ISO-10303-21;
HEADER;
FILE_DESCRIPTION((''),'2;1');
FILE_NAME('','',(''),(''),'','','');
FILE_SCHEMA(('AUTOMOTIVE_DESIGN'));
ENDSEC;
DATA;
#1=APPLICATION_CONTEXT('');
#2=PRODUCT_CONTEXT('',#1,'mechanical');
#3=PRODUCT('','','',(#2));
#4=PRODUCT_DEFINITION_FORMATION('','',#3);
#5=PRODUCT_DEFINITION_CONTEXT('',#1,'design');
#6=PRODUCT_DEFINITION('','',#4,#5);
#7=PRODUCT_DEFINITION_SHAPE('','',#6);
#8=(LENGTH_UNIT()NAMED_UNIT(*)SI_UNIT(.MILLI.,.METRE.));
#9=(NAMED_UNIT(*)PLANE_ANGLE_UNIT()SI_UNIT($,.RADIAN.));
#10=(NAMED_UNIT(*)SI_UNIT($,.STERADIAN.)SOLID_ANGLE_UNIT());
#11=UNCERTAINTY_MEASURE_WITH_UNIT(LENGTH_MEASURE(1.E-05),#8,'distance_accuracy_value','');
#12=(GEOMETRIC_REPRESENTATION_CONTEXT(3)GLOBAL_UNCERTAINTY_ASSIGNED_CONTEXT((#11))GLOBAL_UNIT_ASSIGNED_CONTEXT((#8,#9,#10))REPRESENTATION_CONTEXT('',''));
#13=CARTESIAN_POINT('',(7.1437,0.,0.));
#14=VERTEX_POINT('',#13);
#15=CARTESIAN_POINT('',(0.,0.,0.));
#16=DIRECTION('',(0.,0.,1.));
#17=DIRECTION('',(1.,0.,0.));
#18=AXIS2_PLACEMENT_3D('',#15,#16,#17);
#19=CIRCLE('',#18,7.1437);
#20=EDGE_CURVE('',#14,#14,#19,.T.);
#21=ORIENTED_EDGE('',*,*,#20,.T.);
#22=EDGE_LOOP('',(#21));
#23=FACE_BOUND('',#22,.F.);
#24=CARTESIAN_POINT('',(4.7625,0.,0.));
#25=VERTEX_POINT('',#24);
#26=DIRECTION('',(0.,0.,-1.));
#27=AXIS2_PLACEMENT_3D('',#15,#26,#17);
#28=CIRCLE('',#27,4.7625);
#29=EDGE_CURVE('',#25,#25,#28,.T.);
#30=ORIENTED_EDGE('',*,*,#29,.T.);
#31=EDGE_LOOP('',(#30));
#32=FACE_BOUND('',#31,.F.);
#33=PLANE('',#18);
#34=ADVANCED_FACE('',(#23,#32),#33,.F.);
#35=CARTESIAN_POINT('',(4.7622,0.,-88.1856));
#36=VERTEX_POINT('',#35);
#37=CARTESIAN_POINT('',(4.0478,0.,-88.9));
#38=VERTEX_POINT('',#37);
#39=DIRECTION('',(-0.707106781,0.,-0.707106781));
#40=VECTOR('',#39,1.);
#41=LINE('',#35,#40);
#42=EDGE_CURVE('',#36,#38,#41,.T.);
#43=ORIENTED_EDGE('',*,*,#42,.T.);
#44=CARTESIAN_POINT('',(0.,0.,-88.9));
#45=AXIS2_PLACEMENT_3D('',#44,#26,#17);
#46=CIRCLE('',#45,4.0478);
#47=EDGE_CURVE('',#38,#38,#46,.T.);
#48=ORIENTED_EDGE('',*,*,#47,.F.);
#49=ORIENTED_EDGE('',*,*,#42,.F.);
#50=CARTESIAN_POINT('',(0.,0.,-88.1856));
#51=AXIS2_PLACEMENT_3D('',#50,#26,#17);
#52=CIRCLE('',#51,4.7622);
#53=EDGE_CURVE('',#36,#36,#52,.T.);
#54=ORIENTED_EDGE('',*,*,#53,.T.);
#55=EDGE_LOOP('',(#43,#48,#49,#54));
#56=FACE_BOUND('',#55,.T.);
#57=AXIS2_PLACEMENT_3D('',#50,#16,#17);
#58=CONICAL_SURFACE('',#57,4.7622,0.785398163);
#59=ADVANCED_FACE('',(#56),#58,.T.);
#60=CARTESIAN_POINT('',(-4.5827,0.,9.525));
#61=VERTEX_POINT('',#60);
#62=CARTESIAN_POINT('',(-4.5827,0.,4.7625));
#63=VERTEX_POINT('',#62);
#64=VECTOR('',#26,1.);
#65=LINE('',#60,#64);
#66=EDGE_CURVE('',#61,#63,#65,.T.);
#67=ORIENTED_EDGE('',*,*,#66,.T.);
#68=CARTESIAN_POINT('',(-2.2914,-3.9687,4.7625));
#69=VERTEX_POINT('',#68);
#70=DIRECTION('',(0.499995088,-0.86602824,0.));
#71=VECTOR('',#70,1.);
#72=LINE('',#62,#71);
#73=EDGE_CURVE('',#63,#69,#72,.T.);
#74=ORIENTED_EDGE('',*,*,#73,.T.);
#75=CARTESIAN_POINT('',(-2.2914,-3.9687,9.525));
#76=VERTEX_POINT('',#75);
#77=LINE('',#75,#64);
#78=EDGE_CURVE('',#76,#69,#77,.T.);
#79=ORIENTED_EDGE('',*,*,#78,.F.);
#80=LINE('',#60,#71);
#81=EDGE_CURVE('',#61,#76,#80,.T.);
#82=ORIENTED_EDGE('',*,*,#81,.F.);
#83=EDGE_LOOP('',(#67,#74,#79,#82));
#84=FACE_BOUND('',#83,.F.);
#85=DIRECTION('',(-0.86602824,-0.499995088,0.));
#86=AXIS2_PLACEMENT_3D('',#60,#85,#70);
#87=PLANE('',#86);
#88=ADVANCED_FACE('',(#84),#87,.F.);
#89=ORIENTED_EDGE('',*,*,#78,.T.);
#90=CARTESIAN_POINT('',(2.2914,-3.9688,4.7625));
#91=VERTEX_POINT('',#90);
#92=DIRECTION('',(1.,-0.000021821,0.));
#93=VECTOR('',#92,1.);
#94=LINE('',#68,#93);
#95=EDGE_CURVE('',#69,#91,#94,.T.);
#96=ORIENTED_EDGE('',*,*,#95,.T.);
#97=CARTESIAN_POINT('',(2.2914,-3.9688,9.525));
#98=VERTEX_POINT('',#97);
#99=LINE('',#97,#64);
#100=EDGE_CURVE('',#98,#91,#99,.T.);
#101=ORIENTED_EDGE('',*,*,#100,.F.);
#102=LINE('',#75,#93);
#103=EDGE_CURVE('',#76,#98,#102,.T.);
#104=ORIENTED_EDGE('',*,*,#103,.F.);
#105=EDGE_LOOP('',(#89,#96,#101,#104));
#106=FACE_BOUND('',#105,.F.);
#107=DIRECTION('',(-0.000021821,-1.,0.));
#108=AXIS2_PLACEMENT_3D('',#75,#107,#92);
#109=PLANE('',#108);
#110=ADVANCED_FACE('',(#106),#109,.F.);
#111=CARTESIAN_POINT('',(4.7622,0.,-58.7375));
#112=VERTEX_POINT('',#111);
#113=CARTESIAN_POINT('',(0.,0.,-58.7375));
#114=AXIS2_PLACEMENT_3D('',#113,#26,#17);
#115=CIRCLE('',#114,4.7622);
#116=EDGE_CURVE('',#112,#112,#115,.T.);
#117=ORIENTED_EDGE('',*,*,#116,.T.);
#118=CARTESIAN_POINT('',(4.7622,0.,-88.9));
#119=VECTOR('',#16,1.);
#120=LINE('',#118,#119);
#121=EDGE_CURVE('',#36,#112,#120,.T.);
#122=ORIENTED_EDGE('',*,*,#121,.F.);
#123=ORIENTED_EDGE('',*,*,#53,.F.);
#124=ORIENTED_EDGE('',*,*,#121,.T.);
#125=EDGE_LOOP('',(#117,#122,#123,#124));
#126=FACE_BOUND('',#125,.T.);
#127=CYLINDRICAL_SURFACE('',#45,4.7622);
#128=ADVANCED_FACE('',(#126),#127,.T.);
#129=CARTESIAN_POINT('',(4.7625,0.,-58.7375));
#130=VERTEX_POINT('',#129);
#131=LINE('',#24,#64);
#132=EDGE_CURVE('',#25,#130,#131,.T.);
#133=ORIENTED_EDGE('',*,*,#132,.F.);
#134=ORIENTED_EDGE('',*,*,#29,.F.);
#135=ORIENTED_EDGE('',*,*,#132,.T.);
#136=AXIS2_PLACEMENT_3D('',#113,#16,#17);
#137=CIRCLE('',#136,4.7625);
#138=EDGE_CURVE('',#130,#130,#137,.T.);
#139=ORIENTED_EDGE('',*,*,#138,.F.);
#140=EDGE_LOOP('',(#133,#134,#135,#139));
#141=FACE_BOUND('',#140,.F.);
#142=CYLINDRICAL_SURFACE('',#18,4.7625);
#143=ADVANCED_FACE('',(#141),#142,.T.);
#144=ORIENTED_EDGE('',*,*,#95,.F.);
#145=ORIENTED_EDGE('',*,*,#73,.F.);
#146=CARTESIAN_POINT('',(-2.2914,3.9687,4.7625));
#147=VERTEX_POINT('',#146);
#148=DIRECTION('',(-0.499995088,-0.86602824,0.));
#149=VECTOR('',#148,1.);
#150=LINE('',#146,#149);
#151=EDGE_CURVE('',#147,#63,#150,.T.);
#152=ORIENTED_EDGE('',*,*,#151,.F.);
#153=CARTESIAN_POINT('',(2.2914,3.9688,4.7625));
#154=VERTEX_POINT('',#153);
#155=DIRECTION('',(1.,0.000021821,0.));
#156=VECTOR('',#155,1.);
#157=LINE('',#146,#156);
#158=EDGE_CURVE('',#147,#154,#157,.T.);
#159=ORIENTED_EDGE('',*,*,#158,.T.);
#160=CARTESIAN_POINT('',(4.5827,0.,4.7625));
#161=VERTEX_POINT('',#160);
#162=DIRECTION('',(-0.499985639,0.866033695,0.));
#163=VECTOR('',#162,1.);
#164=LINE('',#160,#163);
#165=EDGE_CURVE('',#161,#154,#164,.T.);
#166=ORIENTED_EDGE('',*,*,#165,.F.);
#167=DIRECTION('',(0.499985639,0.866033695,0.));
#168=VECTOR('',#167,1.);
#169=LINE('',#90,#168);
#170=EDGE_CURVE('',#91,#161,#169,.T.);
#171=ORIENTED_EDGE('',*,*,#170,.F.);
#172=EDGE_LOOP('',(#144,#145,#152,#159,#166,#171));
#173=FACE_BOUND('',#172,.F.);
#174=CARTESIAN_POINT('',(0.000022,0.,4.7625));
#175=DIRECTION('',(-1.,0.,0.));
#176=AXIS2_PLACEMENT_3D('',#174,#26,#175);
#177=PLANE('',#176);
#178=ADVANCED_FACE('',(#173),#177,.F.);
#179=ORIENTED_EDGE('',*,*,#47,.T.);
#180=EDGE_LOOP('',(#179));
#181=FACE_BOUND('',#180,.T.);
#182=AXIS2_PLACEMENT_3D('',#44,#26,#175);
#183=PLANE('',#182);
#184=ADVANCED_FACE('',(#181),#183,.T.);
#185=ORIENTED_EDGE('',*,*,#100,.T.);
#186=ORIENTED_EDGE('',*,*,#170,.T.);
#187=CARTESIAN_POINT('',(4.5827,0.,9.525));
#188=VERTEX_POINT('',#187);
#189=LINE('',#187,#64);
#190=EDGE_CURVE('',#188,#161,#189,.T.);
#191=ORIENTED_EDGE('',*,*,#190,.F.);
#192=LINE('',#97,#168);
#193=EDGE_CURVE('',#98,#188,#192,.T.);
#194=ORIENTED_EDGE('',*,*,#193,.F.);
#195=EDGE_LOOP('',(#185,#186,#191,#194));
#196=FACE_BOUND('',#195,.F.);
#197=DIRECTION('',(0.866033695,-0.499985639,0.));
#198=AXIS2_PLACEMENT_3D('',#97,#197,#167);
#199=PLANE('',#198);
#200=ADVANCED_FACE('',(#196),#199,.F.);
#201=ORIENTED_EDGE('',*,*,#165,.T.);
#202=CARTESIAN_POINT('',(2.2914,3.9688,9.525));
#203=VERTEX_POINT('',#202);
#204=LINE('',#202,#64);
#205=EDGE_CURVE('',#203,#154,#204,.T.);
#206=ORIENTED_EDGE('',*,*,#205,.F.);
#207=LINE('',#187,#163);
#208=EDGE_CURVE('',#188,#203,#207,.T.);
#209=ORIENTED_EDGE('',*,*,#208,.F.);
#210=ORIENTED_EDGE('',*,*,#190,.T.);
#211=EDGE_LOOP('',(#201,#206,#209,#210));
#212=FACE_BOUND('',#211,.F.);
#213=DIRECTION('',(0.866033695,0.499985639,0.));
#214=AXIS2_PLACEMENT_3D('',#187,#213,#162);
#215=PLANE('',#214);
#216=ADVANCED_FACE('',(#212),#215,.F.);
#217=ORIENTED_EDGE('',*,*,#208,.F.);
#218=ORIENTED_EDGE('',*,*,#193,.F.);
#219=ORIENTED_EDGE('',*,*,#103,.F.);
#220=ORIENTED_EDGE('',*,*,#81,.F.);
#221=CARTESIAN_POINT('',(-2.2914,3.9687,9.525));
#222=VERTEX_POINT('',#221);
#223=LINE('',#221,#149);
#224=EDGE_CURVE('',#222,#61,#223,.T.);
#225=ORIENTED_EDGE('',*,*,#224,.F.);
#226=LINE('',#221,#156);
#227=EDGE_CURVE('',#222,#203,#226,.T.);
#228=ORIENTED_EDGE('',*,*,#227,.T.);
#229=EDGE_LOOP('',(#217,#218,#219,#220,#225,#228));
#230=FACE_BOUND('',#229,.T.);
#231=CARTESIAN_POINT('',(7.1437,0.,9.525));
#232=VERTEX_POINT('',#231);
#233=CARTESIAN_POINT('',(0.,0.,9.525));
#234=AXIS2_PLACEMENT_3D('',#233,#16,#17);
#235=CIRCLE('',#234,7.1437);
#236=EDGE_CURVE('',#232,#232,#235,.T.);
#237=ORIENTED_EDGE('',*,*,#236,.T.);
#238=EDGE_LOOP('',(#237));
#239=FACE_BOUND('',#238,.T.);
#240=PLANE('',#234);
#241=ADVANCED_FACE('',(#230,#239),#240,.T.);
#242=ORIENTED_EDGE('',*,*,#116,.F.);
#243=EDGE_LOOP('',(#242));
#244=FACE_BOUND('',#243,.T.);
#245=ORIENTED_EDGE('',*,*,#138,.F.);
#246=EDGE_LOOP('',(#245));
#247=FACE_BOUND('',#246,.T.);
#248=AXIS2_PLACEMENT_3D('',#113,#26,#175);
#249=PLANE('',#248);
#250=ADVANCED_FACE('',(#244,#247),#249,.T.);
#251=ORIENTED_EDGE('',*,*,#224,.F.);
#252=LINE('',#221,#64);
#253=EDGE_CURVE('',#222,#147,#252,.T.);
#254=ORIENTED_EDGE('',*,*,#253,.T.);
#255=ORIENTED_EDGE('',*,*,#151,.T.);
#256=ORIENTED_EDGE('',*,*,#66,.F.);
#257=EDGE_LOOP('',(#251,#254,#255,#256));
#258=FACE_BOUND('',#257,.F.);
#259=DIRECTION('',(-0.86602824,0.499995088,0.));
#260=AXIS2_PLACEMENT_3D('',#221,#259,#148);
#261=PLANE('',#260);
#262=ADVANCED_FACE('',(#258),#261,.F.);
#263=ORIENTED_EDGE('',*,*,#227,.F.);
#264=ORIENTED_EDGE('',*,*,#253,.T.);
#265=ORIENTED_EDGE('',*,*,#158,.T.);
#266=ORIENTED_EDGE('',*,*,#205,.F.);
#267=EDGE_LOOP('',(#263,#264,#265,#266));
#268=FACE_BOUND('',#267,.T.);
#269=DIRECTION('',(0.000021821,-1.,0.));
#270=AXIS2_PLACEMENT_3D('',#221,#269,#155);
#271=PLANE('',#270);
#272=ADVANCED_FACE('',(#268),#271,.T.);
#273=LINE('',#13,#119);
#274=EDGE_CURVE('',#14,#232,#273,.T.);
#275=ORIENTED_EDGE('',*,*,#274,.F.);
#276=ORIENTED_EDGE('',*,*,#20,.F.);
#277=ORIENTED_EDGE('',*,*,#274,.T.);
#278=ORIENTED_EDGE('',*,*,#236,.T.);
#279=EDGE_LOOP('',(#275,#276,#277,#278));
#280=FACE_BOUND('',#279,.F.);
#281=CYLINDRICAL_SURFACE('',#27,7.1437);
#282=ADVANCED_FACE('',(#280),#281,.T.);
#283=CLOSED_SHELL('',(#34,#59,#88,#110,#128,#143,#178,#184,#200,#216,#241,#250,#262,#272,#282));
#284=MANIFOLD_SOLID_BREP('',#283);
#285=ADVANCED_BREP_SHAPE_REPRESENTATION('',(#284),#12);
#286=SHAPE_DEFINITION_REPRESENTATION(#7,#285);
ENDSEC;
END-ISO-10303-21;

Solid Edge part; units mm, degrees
sketch "Sketch1" plane through (0, 0, 0) normal (0, 0, 1) x (1, 0, 0)
  circle A0 centre (0, 0) radius 7.1437
  dimension "D1" = 14.2875
extrude "Protrusion1" add sketch "Sketch1" along normal blind 9.525
sketch "Sketch2" plane through (0, 0, 0) normal (0, 0, -1) x (1, 0, 0)
  circle A0 centre (0, 0) radius 4.7625
extrude "Protrusion2" add sketch "Sketch2" along normal blind 88.9
sketch "Sketch3" plane through (0, 0, -88.9) normal (0, 0, -1) x (1, 0, 0)
  circle A0 centre (0, 0) radius 4.7622
extrude "Cutout1" cut sketch "Sketch3" against normal blind 30.1625 flip side to cut
chamfer "Chamfer_1" distance 0.7144 angle 45 1 edges at (-4.7622, 0, -88.9)
sketch "Sketch4" plane through (0, 0, 9.525) normal (0, 0, 1) x (1, 0, 0)
  line L0 (-2.2914, 3.9687) -> (2.2914, 3.9688)
  line L1 (4.5827, 0) -> (2.2914, 3.9688)
  line L2 (2.2914, -3.9688) -> (4.5827, 0)
  line L3 (-2.2914, -3.9687) -> (2.2914, -3.9688)
  line L4 (-4.5827, 0) -> (-2.2914, -3.9688)
  line L5 (-2.2914, 3.9688) -> (-4.5827, 0)
  dimension "D1" = 7.9375
extrude "Cutout2" cut sketch "Sketch4" against normal blind 4.7625
properties part number "24102307"
